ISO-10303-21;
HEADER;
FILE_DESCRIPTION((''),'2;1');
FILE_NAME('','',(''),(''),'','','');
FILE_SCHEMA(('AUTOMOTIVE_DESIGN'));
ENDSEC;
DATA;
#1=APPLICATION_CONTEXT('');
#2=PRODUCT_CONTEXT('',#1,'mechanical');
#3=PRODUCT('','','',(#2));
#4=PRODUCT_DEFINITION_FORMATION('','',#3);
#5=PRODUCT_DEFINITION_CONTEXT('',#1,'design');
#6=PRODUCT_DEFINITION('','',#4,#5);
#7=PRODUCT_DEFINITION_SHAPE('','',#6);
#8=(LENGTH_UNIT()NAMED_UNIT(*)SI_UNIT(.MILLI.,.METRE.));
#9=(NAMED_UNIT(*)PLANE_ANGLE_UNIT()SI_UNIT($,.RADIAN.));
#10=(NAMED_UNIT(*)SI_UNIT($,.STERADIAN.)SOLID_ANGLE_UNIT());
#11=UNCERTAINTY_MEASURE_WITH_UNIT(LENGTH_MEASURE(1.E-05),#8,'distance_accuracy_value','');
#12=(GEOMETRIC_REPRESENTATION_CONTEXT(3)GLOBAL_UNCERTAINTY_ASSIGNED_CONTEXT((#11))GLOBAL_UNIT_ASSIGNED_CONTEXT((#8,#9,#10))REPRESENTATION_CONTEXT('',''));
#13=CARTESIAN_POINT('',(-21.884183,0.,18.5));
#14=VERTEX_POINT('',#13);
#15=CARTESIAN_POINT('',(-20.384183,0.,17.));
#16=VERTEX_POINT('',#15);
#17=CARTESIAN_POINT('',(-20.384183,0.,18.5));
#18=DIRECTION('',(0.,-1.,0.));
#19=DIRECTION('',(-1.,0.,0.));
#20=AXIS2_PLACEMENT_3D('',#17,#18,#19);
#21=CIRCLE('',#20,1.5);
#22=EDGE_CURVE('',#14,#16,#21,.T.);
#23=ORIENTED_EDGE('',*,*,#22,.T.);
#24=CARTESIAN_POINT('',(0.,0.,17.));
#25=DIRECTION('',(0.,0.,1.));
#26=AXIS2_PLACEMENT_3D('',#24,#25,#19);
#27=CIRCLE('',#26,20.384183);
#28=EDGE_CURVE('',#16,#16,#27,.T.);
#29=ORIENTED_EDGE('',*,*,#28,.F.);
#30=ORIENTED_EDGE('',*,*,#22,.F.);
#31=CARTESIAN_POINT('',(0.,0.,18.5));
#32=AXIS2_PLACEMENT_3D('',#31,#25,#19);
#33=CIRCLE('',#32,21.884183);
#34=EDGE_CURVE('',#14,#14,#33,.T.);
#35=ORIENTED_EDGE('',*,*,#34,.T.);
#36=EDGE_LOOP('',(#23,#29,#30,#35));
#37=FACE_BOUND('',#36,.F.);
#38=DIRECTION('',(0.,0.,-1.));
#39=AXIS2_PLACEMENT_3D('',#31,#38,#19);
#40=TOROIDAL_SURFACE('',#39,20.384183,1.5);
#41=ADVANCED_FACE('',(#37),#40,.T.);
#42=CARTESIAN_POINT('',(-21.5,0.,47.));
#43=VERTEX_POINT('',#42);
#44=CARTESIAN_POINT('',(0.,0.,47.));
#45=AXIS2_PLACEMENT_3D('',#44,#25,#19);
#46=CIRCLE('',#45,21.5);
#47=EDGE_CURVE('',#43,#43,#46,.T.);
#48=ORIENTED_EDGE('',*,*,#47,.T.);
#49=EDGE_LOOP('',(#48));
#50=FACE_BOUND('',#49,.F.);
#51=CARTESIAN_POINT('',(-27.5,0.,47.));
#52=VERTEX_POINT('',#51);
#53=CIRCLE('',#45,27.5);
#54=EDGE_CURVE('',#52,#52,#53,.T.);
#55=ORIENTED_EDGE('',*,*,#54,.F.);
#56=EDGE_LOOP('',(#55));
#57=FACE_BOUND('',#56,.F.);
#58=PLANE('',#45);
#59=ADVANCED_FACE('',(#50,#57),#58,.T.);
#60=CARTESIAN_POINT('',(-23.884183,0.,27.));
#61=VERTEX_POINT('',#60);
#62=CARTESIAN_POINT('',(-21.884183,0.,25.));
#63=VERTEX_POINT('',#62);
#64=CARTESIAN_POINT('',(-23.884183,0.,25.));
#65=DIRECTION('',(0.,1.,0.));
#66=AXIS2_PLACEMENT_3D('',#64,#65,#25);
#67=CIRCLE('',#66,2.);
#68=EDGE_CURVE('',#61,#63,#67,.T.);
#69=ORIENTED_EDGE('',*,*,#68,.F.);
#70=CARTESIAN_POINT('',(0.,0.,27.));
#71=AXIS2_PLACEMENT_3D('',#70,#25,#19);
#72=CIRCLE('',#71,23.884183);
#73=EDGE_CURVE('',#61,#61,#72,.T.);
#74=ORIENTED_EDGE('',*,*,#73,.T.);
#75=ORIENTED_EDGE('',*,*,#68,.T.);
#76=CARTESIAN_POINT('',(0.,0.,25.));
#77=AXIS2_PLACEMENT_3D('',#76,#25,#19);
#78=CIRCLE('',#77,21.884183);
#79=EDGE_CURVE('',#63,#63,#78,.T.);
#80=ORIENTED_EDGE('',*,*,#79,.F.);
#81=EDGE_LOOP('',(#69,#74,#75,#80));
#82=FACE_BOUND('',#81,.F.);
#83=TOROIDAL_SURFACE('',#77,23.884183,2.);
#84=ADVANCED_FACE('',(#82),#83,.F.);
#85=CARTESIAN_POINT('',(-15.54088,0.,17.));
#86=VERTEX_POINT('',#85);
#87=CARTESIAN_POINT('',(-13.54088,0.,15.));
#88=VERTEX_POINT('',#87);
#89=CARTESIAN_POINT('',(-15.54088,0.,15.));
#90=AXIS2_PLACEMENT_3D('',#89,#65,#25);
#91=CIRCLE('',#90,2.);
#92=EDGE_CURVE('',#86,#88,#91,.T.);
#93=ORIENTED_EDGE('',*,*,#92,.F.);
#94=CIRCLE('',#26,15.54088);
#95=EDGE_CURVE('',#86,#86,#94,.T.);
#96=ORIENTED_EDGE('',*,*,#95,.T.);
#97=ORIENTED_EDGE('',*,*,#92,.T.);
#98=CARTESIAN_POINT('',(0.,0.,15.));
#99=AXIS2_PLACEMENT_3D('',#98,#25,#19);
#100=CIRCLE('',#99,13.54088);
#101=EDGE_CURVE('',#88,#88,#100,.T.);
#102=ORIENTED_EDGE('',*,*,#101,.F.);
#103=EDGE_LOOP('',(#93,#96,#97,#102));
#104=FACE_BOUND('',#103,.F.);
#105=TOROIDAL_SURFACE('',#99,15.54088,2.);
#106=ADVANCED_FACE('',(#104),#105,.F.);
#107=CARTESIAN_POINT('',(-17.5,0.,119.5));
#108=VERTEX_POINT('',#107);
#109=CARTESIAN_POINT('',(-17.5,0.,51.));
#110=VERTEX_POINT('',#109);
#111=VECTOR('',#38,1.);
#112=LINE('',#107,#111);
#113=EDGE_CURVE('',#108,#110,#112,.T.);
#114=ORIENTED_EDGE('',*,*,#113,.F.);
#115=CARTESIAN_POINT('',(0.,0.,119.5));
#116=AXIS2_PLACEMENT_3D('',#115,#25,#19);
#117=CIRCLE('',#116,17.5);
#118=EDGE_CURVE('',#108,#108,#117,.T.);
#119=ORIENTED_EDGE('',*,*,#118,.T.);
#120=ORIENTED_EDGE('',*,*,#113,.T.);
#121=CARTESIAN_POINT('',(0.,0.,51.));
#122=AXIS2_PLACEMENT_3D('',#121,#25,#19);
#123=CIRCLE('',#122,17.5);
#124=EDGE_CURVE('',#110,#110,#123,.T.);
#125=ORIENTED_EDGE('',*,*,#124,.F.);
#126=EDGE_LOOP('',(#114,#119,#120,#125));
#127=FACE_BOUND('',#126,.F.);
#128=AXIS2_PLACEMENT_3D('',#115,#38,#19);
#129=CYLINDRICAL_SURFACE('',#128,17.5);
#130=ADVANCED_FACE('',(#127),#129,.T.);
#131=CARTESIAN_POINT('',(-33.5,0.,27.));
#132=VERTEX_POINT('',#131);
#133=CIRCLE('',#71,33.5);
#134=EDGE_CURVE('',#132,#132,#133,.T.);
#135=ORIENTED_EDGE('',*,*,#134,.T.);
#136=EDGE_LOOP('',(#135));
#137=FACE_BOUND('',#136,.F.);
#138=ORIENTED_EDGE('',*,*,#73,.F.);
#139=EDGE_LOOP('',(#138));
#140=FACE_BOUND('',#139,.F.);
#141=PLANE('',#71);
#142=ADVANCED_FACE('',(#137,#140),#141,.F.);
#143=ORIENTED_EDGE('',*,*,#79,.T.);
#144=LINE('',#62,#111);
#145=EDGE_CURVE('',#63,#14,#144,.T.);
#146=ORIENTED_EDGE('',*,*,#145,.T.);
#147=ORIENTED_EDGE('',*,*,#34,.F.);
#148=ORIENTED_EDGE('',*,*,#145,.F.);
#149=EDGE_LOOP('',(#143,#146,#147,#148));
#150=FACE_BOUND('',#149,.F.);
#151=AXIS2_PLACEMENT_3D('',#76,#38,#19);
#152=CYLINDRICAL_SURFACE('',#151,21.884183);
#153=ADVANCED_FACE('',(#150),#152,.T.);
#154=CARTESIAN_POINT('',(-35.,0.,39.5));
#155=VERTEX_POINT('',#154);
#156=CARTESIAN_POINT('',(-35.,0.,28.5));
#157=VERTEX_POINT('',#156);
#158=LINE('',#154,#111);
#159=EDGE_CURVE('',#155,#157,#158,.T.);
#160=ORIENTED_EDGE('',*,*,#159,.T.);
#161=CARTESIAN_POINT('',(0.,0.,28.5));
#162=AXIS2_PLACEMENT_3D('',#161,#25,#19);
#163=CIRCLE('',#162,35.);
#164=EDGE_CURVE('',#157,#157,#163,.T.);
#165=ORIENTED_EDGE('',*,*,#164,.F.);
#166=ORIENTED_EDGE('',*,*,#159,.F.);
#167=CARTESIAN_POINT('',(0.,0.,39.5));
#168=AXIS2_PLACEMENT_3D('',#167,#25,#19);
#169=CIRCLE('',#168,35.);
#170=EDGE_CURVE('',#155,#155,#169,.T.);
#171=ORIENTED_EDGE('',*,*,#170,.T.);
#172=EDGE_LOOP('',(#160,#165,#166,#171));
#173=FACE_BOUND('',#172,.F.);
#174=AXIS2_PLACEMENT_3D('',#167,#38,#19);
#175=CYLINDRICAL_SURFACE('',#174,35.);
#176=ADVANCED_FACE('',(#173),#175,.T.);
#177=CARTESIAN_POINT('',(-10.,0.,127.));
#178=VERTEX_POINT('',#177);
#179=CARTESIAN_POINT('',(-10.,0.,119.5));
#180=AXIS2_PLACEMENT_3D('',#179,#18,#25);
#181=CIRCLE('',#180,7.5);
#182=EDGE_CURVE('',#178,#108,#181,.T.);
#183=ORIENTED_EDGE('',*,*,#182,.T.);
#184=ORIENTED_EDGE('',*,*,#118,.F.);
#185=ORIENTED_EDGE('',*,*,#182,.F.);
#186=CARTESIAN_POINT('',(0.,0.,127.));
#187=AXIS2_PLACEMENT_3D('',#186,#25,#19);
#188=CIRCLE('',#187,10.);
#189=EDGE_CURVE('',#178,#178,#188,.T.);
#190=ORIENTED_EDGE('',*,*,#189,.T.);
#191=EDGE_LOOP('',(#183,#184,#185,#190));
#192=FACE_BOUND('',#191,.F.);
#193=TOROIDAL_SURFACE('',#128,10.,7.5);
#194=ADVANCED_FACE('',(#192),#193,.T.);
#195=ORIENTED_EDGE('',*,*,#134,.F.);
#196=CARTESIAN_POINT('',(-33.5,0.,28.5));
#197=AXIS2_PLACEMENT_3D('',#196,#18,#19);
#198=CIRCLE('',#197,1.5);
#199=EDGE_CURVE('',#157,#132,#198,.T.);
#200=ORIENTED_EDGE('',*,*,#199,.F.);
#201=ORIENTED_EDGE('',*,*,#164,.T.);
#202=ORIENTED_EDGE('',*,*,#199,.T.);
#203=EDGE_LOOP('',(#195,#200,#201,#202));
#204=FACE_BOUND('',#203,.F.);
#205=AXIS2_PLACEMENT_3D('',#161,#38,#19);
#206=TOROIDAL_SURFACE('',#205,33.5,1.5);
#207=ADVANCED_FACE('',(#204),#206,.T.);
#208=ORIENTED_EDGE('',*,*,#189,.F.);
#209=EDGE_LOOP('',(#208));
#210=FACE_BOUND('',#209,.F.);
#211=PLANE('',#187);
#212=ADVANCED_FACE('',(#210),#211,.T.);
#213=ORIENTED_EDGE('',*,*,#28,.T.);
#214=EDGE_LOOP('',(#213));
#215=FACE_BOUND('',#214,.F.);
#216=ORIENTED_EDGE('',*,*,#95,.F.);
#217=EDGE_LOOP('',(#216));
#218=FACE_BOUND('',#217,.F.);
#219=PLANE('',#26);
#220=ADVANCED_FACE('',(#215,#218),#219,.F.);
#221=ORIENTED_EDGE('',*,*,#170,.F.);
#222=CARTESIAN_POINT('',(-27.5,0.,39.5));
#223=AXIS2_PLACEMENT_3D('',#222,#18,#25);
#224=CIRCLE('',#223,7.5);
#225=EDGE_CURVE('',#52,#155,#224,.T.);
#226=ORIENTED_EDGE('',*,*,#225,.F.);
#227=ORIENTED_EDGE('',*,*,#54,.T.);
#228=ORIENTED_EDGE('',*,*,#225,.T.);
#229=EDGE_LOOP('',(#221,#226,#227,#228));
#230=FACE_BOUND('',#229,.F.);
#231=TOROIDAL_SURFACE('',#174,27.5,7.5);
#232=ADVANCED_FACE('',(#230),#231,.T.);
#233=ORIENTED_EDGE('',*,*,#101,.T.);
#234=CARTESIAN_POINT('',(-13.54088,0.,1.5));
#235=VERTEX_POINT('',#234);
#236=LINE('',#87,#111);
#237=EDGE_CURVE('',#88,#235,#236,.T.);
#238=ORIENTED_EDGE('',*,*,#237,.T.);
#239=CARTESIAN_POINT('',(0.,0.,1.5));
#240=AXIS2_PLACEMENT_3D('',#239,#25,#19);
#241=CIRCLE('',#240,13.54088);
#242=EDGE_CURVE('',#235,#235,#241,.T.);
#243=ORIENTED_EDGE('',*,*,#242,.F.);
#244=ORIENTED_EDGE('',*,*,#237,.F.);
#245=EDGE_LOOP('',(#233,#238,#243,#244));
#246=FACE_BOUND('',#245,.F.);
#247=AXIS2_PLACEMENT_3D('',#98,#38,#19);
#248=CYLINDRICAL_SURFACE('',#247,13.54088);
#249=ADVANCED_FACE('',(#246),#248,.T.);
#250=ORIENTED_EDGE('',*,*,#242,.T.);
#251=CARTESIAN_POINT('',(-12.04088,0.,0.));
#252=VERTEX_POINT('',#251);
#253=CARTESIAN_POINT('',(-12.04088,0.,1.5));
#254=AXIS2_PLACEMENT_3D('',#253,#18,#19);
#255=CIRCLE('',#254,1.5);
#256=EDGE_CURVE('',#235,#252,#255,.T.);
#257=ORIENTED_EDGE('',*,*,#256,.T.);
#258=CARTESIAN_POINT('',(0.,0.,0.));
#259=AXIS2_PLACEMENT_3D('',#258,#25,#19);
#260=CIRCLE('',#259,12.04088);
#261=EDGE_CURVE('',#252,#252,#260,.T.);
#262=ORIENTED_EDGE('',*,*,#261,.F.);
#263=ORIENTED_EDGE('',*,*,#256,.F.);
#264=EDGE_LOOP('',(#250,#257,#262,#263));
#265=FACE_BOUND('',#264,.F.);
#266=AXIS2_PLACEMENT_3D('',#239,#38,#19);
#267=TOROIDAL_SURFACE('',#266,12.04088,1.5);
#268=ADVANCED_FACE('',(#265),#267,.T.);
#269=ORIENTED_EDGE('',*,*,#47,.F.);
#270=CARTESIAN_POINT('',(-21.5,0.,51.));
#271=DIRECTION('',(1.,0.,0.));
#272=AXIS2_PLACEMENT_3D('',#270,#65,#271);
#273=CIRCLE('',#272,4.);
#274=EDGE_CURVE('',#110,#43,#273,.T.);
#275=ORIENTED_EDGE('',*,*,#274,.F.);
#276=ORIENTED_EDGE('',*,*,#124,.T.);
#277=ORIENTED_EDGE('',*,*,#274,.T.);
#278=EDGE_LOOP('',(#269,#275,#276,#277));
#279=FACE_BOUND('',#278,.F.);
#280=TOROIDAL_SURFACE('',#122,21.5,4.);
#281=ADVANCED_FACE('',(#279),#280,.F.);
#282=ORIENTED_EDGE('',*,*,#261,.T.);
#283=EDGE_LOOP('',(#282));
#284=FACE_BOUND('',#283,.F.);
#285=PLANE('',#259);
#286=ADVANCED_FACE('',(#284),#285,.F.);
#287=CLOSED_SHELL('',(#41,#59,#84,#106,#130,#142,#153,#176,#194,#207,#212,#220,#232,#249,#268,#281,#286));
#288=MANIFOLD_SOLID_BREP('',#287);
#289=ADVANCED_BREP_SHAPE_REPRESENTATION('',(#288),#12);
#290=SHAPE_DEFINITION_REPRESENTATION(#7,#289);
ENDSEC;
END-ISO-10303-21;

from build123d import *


with BuildPart() as f1:
    # F0 (on Front) → F1 (revolve)
    with BuildSketch(Plane.XZ):
        with BuildLine():
            Line((-12.0408802647, 0), (0, 0))
            Line((0, 0), (0, 17))
            Line((0, 17), (0, 27))
            Line((0, 27), (0, 47))
            Line((0, 47), (0, 127))
            Line((0, 127), (-10, 127))
            ThreePointArc((-10, 127), (-15.3033008589, 124.8033008589), (-17.5, 119.5))
            Line((-17.5, 119.5), (-17.5, 51))
            ThreePointArc((-17.5, 51), (-18.6715728753, 48.1715728753), (-21.5, 47))
            Line((-21.5, 47), (-27.5, 47))
            ThreePointArc((-27.5, 47), (-32.8033008589, 44.8033008589), (-35, 39.5))
            Line((-35, 39.5), (-35, 28.5))
            ThreePointArc((-35, 28.5), (-34.5606601718, 27.4393398282), (-33.5, 27))
            Line((-33.5, 27), (-23.8841834813, 27))
            ThreePointArc((-23.8841834813, 27), (-22.469969919, 26.4142135624), (-21.8841834813, 25))
            Line((-21.8841834813, 25), (-21.8841834813, 18.5))
            ThreePointArc((-21.8841834813, 18.5), (-21.4448436531, 17.4393398282), (-20.3841834813, 17))
            Line((-20.3841834813, 17), (-15.5408802647, 17))
            ThreePointArc((-15.5408802647, 17), (-14.1266667023, 16.4142135624), (-13.5408802647, 15))
            Line((-13.5408802647, 15), (-13.5408802647, 1.5))
            ThreePointArc((-13.5408802647, 1.5), (-13.1015404364, 0.4393398282), (-12.0408802647, 0))
        make_face()
    revolve(axis=Axis((0, 0, 51.4621874318), (0, 0, 1)))


solid = f1.part
